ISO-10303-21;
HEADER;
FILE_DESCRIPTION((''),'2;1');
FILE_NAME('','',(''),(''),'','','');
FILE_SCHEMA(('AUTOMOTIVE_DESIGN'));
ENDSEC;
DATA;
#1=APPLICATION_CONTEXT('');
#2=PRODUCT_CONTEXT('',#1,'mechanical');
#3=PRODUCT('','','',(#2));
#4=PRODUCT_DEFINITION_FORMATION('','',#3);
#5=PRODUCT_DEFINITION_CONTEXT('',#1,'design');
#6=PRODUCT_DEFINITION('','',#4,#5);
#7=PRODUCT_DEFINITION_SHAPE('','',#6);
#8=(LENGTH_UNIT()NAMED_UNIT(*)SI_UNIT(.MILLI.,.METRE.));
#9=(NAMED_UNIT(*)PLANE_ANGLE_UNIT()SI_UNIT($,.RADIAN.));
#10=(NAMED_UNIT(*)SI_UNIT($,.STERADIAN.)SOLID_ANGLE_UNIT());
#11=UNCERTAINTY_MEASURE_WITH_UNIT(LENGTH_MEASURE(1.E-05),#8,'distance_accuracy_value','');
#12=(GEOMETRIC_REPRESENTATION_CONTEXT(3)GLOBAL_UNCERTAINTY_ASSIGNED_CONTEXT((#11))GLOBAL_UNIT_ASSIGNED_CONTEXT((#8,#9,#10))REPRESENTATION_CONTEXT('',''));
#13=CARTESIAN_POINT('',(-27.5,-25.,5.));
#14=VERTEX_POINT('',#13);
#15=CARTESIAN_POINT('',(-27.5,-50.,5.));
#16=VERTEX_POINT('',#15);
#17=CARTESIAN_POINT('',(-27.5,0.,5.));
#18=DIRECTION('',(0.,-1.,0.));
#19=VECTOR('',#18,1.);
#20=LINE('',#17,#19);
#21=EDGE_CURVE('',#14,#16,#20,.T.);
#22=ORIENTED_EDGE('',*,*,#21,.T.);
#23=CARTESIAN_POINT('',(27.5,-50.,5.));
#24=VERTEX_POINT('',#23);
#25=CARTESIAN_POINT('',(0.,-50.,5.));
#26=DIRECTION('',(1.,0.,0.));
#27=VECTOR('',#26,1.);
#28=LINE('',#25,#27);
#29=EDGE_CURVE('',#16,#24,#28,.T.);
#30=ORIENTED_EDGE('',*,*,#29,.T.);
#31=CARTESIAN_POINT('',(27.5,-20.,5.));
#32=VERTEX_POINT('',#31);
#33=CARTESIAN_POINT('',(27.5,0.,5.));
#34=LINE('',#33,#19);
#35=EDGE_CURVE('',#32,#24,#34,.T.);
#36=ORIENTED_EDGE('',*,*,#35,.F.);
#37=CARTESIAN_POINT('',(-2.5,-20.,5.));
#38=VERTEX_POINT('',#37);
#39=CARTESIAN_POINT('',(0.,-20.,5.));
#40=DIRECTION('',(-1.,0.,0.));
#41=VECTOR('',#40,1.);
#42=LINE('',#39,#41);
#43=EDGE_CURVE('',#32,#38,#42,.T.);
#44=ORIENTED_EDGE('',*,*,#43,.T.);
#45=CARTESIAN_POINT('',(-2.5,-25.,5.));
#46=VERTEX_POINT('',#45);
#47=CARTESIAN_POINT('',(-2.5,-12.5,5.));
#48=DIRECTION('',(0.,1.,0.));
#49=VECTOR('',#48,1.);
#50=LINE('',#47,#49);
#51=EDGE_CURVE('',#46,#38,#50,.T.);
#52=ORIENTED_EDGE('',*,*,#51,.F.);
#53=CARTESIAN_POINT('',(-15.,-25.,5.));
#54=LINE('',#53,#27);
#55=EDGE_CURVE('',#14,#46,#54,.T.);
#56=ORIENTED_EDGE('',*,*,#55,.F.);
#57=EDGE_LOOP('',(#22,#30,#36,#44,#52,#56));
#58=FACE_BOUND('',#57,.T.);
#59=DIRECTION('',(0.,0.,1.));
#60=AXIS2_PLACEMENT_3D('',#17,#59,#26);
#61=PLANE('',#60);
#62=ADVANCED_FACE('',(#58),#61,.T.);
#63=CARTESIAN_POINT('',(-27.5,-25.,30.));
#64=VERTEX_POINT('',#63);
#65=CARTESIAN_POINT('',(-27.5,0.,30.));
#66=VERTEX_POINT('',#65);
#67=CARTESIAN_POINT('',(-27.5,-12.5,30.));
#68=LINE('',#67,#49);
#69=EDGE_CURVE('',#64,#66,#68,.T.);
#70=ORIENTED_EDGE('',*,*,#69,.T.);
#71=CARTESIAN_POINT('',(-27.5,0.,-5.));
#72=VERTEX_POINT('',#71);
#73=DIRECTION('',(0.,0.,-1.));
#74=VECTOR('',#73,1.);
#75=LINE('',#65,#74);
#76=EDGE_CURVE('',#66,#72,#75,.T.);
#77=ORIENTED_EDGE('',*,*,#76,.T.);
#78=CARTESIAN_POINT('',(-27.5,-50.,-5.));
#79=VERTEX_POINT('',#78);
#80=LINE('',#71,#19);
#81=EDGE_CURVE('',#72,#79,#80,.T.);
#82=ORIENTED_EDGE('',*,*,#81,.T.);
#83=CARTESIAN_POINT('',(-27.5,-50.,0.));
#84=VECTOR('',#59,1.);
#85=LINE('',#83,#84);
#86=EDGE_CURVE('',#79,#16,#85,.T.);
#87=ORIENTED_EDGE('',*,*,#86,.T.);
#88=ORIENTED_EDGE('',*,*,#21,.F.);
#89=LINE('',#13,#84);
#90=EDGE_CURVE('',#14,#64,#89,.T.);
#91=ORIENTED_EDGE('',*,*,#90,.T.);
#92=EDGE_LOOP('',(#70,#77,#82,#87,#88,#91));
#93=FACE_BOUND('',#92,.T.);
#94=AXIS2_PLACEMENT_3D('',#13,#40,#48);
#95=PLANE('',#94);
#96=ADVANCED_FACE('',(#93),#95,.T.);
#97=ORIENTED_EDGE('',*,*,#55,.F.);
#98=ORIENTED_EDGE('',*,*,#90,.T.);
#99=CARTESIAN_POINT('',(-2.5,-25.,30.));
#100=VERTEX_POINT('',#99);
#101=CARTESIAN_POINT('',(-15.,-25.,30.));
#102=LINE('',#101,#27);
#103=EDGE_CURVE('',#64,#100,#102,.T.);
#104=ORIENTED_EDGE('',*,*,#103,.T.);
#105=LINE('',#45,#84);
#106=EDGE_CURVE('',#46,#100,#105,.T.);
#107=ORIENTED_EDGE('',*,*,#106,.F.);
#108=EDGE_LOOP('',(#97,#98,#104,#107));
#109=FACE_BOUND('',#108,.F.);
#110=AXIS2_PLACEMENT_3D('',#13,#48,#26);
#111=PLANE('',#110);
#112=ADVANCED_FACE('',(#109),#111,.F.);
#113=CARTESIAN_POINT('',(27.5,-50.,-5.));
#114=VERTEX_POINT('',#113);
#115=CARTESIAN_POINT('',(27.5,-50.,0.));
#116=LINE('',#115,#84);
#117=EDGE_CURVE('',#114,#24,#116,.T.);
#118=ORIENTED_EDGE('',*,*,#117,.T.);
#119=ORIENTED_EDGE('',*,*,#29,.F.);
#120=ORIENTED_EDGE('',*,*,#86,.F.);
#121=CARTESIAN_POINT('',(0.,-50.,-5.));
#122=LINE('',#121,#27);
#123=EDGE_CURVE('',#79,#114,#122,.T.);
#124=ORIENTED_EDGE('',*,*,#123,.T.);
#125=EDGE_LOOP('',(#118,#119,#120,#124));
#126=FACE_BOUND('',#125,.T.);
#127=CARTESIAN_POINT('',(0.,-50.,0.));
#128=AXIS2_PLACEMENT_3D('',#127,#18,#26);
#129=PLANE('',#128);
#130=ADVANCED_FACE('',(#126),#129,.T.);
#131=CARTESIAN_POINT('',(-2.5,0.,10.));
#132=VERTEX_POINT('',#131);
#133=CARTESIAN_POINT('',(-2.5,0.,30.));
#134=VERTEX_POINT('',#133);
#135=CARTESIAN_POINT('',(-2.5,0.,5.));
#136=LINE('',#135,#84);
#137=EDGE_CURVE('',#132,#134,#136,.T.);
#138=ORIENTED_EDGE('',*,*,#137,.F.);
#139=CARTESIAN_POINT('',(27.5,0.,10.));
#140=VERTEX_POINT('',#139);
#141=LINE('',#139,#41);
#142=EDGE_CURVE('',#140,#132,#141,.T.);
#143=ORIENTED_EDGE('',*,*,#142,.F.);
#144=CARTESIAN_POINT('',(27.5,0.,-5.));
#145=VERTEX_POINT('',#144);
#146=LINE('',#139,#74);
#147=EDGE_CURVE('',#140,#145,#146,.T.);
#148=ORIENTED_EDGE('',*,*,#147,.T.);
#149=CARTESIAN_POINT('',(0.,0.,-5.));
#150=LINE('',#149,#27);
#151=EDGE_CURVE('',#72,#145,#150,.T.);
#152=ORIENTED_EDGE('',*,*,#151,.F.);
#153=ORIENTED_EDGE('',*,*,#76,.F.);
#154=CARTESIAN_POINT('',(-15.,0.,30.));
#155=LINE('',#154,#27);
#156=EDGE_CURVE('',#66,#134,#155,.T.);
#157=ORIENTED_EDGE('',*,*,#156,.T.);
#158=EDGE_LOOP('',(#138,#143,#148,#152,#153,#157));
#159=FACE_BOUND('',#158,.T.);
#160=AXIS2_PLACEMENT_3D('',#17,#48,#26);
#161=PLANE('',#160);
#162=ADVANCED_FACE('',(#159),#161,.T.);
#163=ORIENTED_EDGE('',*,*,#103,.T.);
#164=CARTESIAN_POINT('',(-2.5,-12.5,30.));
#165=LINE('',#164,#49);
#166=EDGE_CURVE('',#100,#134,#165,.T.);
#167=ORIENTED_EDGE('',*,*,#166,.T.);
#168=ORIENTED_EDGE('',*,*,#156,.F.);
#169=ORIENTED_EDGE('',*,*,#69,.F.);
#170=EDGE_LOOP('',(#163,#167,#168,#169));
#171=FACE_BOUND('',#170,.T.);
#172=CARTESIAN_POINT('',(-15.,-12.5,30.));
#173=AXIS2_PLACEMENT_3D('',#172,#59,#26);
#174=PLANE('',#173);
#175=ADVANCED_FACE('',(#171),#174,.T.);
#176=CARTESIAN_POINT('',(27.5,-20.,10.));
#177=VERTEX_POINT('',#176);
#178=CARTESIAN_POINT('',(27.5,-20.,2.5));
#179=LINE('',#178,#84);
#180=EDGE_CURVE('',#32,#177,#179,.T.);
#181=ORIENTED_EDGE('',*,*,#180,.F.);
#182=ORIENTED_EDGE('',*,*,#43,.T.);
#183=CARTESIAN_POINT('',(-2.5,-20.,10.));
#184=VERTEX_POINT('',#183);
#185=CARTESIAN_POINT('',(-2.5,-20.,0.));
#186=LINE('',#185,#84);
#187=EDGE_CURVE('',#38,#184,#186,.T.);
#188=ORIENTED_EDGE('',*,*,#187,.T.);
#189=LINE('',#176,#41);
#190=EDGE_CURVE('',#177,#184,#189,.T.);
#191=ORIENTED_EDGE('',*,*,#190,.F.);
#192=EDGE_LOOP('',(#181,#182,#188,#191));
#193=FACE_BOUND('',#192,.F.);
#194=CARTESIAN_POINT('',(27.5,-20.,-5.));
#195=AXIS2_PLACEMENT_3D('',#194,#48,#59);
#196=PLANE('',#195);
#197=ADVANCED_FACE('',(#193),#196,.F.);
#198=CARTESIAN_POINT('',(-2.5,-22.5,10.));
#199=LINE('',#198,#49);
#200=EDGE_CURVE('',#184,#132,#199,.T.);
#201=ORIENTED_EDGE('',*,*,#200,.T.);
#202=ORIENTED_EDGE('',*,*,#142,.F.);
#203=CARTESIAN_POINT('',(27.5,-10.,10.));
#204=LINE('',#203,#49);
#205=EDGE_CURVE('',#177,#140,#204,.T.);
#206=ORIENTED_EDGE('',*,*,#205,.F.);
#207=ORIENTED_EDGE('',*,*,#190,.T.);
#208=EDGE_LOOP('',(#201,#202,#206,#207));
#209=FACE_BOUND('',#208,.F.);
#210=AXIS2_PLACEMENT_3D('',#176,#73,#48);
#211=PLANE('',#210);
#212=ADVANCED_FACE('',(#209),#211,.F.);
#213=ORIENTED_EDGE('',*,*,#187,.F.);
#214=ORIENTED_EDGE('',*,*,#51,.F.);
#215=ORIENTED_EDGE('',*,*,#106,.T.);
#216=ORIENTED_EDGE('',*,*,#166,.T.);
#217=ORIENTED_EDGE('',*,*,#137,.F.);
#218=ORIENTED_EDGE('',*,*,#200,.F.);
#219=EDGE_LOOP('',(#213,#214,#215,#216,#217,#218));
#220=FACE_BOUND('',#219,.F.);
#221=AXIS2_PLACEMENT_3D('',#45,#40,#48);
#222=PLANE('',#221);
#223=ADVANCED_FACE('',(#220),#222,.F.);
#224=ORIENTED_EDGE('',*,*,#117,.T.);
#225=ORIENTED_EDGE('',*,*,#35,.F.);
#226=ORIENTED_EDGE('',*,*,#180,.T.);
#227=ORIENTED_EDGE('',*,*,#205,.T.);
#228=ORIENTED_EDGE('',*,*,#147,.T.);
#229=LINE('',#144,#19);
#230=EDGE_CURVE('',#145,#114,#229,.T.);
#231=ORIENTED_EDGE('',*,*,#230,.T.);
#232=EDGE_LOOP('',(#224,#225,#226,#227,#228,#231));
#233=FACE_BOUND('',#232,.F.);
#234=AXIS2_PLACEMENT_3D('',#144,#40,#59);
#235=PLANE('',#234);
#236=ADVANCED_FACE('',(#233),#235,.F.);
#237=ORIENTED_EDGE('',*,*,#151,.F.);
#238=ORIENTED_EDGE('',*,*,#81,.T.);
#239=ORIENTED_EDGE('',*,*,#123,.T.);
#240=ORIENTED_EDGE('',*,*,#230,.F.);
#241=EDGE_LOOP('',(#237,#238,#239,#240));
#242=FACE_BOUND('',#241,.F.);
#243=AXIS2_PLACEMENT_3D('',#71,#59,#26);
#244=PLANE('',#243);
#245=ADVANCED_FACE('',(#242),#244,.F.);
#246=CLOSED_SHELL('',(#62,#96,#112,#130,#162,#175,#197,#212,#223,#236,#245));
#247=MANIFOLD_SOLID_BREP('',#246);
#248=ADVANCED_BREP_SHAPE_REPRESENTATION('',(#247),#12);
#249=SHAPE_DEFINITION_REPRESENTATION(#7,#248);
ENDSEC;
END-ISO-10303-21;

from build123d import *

# Parameters (mm, degrees)
F0_W     = 55
F0_H     = 10
F1_DEPTH = 50
F3_W     = 20
F3_H     = 15
F4_DEPTH = 55
F2_W     = 25
F2_H     = 25
F5_DEPTH = 25


with BuildPart() as f1:
    # F0 (on Front) → F1 (new body)
    with BuildSketch(Plane.XZ):
        Rectangle(F0_W, F0_H)
    extrude(amount=F1_DEPTH)

    # F3 (on face) → F4 (join)
    with BuildSketch(Plane.YZ.offset(27.5)):
        with Locations((-10, 2.5)):
            Rectangle(F3_W, F3_H)
    extrude(amount=-F4_DEPTH)

    # F2 (on face) → F5 (join)
    with BuildSketch(Plane.XY.offset(5)):
        with Locations((-15, -12.5)):
            Rectangle(F2_W, F2_H)
    extrude(amount=F5_DEPTH)


solid = f1.part
